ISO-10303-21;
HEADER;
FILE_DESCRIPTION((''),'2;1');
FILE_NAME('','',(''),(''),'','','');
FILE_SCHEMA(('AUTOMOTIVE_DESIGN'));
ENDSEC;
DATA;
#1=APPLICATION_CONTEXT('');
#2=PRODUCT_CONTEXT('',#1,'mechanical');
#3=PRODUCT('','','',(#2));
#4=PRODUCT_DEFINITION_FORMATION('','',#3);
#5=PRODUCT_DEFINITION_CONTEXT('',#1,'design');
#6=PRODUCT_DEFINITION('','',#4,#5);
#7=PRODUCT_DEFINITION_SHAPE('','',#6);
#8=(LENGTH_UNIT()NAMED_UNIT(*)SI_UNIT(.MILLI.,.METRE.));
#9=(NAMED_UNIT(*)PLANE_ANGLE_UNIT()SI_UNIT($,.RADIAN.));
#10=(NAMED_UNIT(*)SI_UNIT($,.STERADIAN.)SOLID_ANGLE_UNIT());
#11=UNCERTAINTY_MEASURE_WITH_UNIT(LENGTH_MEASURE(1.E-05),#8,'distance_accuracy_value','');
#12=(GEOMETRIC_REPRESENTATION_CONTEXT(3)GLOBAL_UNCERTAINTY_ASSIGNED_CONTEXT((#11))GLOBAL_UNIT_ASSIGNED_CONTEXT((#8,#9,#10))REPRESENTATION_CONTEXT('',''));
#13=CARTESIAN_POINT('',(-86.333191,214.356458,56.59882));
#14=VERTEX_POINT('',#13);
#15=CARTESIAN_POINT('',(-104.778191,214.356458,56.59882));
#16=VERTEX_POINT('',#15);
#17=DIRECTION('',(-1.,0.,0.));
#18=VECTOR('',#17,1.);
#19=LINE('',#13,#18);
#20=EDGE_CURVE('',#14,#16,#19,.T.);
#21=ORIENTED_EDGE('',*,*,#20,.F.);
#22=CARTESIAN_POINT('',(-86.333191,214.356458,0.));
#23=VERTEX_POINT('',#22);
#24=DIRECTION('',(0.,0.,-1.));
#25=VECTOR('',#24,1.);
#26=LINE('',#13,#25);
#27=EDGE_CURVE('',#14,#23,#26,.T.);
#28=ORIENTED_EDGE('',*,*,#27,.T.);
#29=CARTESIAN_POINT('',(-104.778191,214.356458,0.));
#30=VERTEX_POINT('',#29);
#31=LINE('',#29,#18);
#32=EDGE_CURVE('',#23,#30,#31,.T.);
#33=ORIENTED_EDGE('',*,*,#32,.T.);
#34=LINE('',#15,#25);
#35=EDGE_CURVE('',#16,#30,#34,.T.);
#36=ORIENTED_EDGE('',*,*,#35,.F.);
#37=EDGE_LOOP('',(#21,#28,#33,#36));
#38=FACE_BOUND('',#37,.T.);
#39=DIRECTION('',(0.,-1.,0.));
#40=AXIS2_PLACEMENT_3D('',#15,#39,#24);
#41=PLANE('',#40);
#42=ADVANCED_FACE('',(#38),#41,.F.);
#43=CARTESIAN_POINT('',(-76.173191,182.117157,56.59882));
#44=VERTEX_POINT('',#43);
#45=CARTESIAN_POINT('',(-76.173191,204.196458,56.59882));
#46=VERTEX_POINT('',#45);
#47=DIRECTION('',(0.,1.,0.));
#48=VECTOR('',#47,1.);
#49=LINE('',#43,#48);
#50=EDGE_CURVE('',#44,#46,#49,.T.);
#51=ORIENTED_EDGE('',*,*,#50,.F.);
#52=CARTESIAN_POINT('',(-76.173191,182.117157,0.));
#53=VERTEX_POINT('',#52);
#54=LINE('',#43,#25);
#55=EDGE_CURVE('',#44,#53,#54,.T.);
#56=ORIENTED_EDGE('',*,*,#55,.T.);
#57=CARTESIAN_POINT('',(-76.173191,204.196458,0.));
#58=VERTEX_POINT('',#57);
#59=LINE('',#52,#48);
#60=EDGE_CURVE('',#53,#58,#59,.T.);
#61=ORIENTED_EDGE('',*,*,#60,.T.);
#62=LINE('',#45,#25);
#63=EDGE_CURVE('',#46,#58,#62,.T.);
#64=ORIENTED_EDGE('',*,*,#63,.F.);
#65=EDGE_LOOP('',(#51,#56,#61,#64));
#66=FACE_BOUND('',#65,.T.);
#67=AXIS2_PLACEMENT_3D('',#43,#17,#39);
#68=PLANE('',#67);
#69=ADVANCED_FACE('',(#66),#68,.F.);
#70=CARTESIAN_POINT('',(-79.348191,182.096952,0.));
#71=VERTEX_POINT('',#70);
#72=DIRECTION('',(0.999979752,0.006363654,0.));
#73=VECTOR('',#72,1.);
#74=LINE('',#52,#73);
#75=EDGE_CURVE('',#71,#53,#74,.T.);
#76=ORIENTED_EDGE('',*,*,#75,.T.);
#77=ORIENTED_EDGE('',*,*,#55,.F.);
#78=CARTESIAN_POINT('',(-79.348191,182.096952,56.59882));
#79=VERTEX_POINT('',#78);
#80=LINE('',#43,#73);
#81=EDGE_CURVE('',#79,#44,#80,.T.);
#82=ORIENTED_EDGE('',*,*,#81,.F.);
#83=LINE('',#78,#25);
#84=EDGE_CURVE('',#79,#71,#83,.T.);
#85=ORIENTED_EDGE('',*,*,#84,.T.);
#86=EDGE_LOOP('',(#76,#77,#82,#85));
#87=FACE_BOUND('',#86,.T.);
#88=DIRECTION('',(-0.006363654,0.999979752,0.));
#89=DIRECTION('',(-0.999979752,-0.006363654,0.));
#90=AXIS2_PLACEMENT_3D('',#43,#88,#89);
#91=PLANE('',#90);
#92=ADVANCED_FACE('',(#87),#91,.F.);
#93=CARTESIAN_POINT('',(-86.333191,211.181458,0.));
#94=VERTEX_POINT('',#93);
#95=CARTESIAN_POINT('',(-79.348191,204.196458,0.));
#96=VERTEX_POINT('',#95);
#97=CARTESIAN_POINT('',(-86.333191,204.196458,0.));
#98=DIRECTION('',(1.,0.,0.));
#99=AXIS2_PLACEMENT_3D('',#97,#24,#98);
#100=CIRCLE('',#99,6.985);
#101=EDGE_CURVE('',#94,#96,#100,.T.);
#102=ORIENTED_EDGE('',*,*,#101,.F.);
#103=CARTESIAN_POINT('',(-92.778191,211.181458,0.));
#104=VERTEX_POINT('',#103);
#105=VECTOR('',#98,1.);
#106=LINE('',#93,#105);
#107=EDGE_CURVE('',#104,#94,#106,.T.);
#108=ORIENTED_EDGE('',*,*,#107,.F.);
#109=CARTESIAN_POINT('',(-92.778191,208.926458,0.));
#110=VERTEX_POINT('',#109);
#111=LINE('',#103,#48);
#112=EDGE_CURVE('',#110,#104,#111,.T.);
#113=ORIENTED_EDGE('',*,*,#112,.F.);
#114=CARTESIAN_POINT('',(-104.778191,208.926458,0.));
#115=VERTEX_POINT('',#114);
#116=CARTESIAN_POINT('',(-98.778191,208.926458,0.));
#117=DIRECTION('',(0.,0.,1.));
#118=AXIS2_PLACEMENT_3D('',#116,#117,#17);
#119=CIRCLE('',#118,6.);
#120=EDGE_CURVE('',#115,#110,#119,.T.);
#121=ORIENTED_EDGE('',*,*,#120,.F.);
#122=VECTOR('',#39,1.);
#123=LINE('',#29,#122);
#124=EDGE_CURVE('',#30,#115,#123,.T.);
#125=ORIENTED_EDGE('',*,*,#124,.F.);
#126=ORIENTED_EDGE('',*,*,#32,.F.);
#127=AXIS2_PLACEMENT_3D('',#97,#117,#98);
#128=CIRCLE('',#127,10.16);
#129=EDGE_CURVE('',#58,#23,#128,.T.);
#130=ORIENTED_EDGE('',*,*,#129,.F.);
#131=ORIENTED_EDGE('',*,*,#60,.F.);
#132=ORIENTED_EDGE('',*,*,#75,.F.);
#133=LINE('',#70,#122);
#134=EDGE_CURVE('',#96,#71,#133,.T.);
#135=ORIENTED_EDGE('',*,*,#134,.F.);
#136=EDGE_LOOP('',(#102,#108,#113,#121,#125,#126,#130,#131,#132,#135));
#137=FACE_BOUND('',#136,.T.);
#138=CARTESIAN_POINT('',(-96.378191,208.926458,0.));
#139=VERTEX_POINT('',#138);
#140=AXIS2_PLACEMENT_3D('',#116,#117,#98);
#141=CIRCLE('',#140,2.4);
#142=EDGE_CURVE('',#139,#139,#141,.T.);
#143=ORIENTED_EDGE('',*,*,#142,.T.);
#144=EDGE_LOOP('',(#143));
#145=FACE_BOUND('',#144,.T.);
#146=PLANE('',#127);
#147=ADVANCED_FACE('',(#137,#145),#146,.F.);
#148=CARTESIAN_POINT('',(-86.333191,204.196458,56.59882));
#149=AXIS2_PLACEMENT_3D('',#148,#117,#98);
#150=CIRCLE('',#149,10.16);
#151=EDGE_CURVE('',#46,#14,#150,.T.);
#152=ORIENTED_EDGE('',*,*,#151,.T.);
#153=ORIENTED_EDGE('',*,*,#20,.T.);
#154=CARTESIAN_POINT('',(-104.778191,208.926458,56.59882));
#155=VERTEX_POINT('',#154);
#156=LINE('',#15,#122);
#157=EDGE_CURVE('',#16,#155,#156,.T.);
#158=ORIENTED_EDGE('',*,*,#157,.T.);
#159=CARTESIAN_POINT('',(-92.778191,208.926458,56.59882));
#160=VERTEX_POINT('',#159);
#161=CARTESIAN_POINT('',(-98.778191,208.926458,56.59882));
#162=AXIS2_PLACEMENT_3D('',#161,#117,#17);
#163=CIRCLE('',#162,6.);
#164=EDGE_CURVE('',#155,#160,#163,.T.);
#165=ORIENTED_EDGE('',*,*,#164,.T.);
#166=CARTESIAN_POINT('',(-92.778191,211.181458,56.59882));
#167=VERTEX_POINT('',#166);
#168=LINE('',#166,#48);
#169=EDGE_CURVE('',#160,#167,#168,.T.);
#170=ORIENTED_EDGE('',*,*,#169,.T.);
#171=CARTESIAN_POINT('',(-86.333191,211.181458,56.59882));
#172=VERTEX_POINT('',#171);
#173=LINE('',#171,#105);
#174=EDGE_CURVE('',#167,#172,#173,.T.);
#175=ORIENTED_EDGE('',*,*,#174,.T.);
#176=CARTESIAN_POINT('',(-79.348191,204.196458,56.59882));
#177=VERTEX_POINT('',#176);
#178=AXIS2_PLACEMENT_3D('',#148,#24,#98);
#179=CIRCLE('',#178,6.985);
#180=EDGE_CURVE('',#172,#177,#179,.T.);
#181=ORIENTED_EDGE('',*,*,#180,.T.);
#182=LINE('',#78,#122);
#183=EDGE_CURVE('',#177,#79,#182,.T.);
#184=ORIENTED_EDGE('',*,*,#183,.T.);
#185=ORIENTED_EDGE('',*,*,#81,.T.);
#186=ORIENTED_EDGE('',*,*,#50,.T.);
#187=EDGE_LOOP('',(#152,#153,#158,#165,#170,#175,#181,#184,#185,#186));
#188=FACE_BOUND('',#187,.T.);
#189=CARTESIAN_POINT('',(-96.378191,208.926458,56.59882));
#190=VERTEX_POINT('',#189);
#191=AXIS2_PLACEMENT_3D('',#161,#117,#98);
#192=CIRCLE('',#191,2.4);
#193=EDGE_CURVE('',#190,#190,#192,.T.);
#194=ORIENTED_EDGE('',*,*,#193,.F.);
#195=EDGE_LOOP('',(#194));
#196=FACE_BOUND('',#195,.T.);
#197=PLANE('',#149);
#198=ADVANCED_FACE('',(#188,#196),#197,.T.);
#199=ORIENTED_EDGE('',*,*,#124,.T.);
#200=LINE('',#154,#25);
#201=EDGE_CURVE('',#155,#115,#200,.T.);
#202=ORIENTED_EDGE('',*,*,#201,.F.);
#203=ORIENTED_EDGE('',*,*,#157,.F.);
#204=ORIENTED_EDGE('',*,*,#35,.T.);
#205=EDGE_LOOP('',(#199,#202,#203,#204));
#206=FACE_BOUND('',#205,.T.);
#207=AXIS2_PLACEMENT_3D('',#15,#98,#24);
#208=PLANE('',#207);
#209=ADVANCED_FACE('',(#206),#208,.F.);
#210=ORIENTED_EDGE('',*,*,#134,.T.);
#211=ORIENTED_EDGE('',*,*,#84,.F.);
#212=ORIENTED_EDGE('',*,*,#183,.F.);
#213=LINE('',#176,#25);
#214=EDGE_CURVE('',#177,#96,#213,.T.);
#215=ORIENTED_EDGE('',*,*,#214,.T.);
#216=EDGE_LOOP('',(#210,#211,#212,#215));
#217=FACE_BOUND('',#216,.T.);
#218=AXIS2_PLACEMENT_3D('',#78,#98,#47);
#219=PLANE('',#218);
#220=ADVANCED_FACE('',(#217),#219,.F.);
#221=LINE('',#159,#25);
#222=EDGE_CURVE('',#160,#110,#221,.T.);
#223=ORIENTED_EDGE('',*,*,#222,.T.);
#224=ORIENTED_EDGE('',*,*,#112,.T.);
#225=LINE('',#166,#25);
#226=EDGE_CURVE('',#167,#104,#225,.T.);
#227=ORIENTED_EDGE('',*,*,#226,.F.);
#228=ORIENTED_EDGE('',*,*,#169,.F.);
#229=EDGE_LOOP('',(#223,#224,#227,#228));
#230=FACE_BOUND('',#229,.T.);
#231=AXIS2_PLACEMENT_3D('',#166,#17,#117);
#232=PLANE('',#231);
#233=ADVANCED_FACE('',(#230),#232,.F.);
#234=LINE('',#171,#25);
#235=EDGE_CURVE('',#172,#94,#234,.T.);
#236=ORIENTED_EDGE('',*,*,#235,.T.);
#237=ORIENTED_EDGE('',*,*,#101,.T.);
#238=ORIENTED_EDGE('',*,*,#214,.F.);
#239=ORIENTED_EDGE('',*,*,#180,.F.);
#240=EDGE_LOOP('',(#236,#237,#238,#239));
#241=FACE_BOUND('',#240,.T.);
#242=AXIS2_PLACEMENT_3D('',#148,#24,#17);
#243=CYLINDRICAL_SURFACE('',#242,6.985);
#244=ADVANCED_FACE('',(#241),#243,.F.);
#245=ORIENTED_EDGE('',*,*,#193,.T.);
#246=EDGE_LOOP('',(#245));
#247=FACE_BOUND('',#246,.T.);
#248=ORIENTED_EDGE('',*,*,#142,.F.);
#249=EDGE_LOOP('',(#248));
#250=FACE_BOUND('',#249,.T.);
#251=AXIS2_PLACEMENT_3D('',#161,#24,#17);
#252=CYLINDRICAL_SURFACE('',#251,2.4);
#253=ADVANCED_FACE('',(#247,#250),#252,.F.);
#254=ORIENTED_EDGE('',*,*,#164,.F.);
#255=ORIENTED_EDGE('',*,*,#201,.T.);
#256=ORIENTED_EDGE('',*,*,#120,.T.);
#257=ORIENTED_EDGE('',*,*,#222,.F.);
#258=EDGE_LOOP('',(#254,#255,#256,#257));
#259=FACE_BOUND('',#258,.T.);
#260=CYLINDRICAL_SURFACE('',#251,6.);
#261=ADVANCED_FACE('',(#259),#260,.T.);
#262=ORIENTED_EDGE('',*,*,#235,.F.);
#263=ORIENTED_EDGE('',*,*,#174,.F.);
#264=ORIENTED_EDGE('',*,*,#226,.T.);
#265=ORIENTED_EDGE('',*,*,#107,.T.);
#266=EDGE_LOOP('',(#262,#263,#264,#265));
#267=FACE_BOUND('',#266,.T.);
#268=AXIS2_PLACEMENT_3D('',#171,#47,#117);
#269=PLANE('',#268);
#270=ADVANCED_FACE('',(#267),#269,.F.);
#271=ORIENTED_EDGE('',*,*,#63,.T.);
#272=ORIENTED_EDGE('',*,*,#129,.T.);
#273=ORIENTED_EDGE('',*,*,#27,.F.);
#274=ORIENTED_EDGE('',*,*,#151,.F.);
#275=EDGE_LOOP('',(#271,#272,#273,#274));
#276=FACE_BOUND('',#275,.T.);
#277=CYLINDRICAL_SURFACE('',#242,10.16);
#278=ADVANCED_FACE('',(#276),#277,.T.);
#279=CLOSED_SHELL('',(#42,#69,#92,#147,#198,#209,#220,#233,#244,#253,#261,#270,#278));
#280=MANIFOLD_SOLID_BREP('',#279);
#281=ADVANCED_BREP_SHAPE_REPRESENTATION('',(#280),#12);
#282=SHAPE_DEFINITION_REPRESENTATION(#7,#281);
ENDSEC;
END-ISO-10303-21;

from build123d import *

# Parameters (mm, degrees)
SKETCH1_R           = 2.4
BOSS_EXTRUDE1_DEPTH = 56.59882


with BuildPart() as part:
    # Sketch1 → Boss-Extrude1 (new body)
    with BuildSketch(Plane.XY):
        with BuildLine():
            Line((-76.173191063, 182.117156823), (-79.348191063, 182.096951811))
            Line((-79.348191063, 182.096951811), (-79.348191063, 204.196458108))
            ThreePointArc((-79.348191063, 204.196458108), (-81.394050197, 209.135598974), (-86.333191063, 211.181458108))
            Line((-86.333191063, 211.181458108), (-92.778191065, 211.181458108))
            Line((-92.778191065, 211.181458108), (-92.778191065, 208.926458108))
            ThreePointArc((-92.778191065, 208.926458108), (-98.778191065, 202.926458108), (-104.778191065, 208.926458108))
            Line((-104.778191065, 208.926458108), (-104.778191065, 214.356458108))
            Line((-104.778191065, 214.356458108), (-92.778191065, 214.356458108))
            Line((-92.778191065, 214.356458108), (-86.333191063, 214.356458108))
            ThreePointArc((-86.333191063, 214.356458108), (-79.148986166, 211.380663005), (-76.173191063, 204.196458108))
            Line((-76.173191063, 204.196458108), (-76.173191063, 182.117156823))
        make_face()
        with Locations((-98.778191065, 208.926458108)):
            Circle(SKETCH1_R, mode=Mode.SUBTRACT)
    extrude(amount=BOSS_EXTRUDE1_DEPTH)


solid = part.part
